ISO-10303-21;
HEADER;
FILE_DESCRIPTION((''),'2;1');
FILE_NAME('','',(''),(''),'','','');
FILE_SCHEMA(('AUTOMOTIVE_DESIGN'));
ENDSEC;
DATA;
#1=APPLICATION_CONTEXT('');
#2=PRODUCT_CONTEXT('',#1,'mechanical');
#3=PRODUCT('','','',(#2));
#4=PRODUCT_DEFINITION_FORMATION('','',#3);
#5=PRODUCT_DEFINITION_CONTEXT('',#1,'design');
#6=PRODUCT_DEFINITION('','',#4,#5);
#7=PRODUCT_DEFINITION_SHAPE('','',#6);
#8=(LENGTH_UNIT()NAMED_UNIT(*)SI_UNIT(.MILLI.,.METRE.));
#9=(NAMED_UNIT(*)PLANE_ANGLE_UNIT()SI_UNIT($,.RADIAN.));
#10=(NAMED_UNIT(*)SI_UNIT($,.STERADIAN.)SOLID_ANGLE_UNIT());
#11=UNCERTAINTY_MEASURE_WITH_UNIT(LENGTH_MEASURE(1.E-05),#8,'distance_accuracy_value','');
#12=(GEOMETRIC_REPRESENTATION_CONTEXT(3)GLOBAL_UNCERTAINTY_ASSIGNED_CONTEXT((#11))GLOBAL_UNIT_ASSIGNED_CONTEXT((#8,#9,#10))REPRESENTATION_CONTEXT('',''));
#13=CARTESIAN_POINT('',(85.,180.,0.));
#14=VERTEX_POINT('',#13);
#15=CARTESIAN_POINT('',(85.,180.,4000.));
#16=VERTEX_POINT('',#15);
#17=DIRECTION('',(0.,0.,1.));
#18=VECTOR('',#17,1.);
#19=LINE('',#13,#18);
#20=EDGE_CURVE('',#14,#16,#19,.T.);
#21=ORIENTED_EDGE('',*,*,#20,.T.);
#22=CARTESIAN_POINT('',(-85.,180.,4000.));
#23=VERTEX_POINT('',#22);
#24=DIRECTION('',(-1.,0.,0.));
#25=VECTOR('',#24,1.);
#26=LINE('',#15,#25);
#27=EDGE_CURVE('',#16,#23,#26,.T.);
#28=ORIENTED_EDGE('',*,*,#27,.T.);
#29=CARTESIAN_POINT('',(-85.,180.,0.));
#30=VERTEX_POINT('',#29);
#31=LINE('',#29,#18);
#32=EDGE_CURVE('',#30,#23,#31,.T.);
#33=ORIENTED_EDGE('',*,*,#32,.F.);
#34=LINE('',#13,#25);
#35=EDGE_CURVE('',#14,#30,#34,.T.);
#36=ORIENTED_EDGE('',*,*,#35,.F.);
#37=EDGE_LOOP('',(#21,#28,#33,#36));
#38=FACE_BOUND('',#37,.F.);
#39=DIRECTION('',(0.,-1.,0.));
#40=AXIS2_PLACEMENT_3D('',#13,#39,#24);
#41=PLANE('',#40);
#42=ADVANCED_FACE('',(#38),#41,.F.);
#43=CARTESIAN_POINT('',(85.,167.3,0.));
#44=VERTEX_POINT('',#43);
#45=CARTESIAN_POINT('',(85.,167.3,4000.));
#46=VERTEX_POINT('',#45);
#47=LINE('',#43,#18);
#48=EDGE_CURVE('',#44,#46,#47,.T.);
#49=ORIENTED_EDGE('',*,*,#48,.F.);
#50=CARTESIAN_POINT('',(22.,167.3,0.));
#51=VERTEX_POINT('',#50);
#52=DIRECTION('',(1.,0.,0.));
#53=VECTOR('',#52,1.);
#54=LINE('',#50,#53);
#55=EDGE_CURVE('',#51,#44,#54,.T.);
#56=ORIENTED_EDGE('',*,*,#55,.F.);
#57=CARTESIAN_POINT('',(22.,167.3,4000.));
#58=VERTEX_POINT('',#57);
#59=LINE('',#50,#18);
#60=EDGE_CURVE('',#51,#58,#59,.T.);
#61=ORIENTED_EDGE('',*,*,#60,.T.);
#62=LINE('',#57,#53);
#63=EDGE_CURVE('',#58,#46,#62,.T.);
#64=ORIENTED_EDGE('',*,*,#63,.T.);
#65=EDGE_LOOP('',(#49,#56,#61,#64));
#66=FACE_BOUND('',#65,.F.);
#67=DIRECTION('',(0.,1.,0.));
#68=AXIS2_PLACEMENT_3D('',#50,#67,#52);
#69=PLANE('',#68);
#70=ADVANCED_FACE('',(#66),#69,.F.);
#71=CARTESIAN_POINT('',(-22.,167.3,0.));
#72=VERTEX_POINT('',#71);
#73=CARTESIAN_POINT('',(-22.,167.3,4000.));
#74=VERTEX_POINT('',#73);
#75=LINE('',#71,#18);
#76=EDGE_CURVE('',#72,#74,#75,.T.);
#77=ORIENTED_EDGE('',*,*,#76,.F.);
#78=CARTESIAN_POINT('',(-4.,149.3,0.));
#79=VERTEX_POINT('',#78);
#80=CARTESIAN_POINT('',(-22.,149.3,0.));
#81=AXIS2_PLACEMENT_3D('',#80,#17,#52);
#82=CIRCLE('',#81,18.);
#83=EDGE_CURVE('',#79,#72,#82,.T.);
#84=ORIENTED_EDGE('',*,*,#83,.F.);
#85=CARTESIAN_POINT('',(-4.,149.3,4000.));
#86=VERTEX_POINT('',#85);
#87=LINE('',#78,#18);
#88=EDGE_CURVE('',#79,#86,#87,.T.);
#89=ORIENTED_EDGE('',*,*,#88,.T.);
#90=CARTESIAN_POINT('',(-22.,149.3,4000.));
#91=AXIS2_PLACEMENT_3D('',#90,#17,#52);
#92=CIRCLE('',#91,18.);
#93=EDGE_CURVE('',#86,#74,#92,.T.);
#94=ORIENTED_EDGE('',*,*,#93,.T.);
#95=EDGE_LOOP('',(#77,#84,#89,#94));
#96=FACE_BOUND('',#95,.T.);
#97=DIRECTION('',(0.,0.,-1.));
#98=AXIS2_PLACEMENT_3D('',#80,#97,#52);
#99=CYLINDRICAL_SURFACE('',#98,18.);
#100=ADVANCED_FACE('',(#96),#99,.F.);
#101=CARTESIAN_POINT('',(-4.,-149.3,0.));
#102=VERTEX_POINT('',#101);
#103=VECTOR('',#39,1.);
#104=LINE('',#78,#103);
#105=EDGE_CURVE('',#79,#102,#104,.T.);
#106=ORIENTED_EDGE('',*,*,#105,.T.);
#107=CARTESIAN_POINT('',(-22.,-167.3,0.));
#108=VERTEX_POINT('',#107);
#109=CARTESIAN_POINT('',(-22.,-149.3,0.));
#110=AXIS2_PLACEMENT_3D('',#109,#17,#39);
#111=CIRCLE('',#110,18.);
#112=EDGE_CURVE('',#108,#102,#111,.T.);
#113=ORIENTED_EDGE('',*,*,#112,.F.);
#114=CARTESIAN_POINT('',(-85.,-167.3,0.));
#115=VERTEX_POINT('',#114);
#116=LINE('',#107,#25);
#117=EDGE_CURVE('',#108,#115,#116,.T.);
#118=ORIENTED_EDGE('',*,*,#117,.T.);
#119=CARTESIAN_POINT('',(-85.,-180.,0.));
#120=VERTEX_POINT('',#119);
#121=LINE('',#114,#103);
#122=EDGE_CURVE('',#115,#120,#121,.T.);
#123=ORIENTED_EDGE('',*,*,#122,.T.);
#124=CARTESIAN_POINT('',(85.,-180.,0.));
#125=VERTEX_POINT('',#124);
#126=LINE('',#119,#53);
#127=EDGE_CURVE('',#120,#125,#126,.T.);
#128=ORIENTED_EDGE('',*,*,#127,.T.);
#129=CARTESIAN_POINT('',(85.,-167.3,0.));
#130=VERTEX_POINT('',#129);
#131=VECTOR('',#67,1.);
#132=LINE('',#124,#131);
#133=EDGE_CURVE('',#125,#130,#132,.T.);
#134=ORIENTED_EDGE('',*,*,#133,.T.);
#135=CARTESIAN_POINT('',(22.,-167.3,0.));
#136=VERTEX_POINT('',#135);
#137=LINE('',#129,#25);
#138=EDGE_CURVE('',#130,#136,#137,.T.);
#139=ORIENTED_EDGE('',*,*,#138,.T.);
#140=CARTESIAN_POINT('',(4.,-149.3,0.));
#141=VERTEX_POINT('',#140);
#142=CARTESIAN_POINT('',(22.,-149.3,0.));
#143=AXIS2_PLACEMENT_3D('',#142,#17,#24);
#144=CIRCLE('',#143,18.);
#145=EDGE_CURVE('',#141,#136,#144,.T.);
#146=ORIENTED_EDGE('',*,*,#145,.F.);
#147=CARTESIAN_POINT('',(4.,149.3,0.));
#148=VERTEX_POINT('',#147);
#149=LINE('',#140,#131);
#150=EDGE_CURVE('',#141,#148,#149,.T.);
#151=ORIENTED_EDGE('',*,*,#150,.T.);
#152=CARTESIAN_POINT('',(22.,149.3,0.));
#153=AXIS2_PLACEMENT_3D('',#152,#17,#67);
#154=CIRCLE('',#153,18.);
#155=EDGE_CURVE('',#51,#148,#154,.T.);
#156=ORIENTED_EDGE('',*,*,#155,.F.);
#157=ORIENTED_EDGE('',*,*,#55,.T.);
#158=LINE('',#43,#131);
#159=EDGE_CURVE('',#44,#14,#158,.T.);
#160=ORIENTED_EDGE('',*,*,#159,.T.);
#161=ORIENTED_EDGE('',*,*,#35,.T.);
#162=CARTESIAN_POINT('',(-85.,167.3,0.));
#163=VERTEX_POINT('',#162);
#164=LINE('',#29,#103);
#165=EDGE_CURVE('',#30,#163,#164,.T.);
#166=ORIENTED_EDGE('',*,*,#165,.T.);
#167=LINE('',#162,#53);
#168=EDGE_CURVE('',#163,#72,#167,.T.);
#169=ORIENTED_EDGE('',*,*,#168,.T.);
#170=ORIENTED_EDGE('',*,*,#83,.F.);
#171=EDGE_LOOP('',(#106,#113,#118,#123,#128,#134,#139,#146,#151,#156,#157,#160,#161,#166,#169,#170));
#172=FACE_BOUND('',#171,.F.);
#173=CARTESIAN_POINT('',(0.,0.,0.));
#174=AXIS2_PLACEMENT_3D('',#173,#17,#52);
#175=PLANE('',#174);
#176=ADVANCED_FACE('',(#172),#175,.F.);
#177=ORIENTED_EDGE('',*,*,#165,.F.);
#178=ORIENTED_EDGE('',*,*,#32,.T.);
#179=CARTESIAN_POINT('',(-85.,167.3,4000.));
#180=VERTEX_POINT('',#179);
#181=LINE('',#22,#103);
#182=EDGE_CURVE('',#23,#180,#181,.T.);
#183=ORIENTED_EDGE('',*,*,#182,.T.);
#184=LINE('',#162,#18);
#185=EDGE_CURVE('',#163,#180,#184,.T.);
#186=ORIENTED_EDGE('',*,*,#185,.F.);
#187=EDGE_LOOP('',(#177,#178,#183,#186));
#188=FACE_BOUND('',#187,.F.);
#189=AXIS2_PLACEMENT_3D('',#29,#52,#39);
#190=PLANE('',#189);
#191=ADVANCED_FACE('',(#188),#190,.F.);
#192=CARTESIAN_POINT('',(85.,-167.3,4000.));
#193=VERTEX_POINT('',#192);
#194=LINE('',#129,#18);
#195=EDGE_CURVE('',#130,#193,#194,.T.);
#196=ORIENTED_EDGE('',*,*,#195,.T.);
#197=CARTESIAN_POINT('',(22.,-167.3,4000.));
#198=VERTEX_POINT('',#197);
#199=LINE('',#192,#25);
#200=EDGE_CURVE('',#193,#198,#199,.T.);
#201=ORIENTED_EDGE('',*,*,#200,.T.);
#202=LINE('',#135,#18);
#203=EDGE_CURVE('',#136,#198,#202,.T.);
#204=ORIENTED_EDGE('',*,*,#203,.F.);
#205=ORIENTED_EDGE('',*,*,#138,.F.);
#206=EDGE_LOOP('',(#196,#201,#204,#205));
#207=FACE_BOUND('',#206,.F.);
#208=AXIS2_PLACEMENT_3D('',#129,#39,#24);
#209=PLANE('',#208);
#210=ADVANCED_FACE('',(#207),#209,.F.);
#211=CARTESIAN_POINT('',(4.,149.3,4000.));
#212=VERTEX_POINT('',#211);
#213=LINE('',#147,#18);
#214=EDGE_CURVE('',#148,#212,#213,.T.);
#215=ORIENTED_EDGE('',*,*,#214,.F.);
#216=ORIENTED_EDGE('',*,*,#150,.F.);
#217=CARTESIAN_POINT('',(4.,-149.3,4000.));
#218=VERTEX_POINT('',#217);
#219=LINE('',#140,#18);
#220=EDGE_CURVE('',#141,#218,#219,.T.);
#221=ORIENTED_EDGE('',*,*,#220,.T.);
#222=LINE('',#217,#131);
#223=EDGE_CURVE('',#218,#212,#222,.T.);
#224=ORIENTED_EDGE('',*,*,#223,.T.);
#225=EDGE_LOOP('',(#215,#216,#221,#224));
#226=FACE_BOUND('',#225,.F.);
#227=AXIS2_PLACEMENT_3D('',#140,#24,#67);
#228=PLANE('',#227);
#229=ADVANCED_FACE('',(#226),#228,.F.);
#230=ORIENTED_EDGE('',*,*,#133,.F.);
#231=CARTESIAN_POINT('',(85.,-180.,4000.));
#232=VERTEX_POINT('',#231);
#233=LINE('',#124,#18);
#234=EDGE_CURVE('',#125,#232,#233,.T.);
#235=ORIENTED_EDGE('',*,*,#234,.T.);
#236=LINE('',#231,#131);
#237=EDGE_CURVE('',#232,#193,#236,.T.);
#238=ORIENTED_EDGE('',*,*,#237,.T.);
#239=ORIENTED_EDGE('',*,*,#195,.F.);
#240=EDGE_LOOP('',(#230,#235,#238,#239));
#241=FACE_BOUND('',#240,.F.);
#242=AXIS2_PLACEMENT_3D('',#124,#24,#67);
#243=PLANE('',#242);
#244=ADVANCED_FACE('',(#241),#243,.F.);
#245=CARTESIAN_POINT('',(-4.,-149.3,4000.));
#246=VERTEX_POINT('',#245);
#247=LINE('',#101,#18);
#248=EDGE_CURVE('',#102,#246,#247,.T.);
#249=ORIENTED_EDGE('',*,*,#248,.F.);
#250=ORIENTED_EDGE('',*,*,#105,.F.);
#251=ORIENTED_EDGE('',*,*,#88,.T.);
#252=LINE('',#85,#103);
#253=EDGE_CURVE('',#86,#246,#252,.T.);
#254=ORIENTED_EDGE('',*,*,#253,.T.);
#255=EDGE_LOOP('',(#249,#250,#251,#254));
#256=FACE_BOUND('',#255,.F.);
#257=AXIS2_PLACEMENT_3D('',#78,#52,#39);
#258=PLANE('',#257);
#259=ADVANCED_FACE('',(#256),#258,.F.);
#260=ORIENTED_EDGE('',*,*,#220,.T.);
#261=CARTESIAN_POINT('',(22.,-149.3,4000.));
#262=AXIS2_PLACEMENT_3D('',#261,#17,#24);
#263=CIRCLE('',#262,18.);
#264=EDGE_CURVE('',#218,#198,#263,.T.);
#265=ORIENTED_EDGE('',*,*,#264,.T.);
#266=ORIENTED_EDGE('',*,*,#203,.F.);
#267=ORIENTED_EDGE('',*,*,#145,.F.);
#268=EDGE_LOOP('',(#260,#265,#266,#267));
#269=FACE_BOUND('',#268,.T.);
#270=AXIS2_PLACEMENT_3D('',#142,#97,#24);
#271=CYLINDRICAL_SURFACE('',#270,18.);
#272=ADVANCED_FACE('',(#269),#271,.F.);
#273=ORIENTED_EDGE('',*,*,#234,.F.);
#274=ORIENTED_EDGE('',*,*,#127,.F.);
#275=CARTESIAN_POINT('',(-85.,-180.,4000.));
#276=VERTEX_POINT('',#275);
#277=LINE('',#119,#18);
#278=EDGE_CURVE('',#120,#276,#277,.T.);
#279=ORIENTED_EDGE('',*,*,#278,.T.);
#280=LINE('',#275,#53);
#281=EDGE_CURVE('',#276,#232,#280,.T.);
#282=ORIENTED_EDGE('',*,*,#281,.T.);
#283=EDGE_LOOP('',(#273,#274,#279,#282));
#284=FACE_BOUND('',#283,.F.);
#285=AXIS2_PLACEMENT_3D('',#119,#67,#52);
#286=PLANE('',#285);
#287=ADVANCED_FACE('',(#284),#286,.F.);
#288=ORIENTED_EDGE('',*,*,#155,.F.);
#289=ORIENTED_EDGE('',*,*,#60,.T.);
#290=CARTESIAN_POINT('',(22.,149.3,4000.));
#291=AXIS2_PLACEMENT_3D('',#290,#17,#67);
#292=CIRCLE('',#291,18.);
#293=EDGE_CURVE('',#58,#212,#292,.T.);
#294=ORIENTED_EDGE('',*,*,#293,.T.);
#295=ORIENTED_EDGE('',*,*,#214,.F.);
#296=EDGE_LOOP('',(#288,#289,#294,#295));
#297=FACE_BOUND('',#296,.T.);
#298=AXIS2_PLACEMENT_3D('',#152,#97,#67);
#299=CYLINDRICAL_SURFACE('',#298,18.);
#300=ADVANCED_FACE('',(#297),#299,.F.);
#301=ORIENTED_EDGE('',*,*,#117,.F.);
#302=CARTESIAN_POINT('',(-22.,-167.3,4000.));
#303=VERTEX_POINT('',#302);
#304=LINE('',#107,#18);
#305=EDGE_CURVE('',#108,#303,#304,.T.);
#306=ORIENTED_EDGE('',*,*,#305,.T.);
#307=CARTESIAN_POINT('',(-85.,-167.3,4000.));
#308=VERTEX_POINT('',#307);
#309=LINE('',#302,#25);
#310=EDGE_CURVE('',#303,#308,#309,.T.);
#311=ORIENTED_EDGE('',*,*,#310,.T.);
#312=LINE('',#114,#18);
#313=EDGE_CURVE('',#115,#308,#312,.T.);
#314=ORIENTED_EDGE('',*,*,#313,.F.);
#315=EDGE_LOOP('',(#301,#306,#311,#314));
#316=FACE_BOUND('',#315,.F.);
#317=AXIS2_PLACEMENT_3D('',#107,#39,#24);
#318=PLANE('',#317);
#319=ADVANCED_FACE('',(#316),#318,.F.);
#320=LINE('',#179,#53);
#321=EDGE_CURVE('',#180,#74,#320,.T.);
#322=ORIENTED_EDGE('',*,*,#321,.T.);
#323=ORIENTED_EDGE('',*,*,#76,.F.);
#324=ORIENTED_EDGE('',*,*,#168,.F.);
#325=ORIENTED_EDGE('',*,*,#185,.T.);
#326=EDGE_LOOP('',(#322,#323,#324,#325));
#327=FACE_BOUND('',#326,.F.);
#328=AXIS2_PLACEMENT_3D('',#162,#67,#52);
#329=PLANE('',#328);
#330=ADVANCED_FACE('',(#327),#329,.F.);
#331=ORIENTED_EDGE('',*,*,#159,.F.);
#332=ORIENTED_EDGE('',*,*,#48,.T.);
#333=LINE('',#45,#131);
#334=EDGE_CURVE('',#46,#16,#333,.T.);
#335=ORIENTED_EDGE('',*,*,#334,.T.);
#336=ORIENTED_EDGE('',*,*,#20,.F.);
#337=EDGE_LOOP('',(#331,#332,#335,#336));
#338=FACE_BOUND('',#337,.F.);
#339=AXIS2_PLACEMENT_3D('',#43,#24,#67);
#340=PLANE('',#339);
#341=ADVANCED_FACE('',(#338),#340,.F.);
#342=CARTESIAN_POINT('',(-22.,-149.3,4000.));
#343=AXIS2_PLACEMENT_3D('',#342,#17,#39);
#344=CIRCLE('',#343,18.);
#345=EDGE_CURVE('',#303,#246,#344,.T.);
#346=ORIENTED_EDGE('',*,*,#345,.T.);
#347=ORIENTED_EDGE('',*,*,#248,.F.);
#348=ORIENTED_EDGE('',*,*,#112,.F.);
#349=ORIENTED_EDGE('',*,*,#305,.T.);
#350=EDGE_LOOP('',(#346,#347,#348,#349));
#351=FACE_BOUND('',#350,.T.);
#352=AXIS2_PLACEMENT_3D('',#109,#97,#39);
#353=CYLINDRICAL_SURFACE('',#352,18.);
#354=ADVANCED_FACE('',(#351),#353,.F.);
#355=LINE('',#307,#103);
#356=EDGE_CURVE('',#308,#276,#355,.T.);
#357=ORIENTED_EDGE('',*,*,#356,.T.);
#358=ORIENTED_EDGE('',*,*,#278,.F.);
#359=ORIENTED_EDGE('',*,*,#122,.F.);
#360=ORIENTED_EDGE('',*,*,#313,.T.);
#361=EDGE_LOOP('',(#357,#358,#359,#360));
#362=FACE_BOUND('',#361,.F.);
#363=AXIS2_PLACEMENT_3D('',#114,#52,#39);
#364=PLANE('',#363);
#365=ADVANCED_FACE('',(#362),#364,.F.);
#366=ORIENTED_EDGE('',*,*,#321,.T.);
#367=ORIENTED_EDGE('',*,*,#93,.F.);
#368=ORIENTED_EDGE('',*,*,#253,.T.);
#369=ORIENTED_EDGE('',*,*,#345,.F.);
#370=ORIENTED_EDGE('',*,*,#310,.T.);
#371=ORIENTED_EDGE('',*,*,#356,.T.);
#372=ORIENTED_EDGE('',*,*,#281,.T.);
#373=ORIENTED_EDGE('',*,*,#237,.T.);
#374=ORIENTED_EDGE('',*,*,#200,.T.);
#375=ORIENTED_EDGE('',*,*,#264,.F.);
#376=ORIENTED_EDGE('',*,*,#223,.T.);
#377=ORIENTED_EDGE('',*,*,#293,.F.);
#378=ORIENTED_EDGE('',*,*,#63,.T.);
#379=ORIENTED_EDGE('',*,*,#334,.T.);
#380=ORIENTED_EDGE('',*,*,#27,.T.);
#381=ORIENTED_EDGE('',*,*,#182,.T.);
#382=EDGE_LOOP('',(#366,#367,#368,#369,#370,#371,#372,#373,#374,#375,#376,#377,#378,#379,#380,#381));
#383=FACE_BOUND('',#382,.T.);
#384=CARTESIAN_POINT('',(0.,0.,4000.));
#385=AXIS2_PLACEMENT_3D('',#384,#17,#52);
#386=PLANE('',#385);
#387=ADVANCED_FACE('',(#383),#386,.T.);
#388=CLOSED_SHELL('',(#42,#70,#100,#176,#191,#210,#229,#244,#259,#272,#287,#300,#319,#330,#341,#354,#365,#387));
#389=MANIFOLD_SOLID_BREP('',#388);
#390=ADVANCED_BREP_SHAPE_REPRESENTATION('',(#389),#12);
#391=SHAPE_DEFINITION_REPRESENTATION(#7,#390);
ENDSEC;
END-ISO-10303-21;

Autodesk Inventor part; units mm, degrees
ref_plane "YZ Plane" through (0, 0, 0) normal (1, 0, 0) x (0, 1, 0)
ref_plane "Start Plane" through (0, 0, 0) normal (0, 0, 1) x (1, 0, 0)
ref_plane "End Plane" through (0, 0, 4000) normal (0, 0, 1) x (1, 0, 0)
sketch "Sketch" plane through (0, 0, 0) normal (0, 0, 1) x (1, 0, 0)
  line L0 (-85, 167.3) -> (-22, 167.3)
  line L1 (-85, 180) -> (-85, 167.3)
  line L2 (85, 180) -> (-85, 180)
  line L3 (85, 167.3) -> (85, 180)
  line L4 (22, 167.3) -> (85, 167.3)
  line L5 (4, -149.3) -> (4, 149.3)
  line L6 (85, -167.3) -> (22, -167.3)
  line L7 (85, -180) -> (85, -167.3)
  line L8 (-85, -167.3) -> (-85, -180)
  line L9 (-22, -167.3) -> (-85, -167.3)
  line L10 (-4, 149.3) -> (-4, -149.3)
  line L11 (0, -252) -> (0, 252) construction
  line L12 (-4, -167.3) -> (4, -167.3) construction
  arc A0 (-22, -167.3) -> (-4, -149.3) centre (-22, -149.3) ccw
  arc A1 (-4, 149.3) -> (-22, 167.3) centre (-22, 149.3) ccw
  arc A2 (22, 167.3) -> (4, 149.3) centre (22, 149.3) ccw
  arc A3 (4, -149.3) -> (22, -167.3) centre (22, -149.3) ccw
  line L13 (-119, 0) -> (119, 0) construction
  line L14 (-85, -180) -> (85, -180)
  point P0 (-4, 167.3)
  point P1 (4, 167.3)
  point P2 (0, 0)
  point P3 (0, -167.3)
  point P4 (0, 0)
  dimension "d1" = 360
  dimension "d3" = 12.7
  dimension "d5" = 8
  dimension "d7" = 170
  dimension "d13" = 18
  dimension "d14" = 180
  dimension "d15" = 85
extrude "Body" add sketch "Sketch" along normal up to surface (4000 mm away) from surface at 0
sketch "Sketch3" plane through (0, 0, 0) normal (0, 0, 1) x (1, 0, 0)
  line L0 (0, 0) -> (10, 0)
ref_plane "Work Plane3" through (0, 0, 0) normal (0, -1, 0) x (1, 0, 0)
sketch "Sketch4" plane through (0, 0, 0) normal (0, -1, 0) x (1, 0, 0)
  line L0 (-2, 0) -> (12, 0) projected
  line L1 (-2, 4000) -> (12, 4000) projected
  dimension "d19" = 4000
equation "\"d1\" = ParH"
equation "\"d3\" = t2"
equation "\"d5\" = t1"
equation "\"d7\" = b"
equation "\"d13\" = R1"
equation "\"d14\" = 0.5 * d1"
equation "\"d15\" = 0.5 * d7"
equation "\"d8\" = G_L"
equation "\"b\" = 170"
equation "\"ParH\" = 360"
equation "\"R1\" = 18"
equation "\"G_L\" = d19"
equation "\"t1\" = 8"
equation "\"t2\" = 12.7"
equation "\"G_OFFSET_START\" = 0"
equation "\"G_OFFSET_END\" = 0"
properties part number "DIN 1025 - IPE 360-4000" material "Steel, Mild"
